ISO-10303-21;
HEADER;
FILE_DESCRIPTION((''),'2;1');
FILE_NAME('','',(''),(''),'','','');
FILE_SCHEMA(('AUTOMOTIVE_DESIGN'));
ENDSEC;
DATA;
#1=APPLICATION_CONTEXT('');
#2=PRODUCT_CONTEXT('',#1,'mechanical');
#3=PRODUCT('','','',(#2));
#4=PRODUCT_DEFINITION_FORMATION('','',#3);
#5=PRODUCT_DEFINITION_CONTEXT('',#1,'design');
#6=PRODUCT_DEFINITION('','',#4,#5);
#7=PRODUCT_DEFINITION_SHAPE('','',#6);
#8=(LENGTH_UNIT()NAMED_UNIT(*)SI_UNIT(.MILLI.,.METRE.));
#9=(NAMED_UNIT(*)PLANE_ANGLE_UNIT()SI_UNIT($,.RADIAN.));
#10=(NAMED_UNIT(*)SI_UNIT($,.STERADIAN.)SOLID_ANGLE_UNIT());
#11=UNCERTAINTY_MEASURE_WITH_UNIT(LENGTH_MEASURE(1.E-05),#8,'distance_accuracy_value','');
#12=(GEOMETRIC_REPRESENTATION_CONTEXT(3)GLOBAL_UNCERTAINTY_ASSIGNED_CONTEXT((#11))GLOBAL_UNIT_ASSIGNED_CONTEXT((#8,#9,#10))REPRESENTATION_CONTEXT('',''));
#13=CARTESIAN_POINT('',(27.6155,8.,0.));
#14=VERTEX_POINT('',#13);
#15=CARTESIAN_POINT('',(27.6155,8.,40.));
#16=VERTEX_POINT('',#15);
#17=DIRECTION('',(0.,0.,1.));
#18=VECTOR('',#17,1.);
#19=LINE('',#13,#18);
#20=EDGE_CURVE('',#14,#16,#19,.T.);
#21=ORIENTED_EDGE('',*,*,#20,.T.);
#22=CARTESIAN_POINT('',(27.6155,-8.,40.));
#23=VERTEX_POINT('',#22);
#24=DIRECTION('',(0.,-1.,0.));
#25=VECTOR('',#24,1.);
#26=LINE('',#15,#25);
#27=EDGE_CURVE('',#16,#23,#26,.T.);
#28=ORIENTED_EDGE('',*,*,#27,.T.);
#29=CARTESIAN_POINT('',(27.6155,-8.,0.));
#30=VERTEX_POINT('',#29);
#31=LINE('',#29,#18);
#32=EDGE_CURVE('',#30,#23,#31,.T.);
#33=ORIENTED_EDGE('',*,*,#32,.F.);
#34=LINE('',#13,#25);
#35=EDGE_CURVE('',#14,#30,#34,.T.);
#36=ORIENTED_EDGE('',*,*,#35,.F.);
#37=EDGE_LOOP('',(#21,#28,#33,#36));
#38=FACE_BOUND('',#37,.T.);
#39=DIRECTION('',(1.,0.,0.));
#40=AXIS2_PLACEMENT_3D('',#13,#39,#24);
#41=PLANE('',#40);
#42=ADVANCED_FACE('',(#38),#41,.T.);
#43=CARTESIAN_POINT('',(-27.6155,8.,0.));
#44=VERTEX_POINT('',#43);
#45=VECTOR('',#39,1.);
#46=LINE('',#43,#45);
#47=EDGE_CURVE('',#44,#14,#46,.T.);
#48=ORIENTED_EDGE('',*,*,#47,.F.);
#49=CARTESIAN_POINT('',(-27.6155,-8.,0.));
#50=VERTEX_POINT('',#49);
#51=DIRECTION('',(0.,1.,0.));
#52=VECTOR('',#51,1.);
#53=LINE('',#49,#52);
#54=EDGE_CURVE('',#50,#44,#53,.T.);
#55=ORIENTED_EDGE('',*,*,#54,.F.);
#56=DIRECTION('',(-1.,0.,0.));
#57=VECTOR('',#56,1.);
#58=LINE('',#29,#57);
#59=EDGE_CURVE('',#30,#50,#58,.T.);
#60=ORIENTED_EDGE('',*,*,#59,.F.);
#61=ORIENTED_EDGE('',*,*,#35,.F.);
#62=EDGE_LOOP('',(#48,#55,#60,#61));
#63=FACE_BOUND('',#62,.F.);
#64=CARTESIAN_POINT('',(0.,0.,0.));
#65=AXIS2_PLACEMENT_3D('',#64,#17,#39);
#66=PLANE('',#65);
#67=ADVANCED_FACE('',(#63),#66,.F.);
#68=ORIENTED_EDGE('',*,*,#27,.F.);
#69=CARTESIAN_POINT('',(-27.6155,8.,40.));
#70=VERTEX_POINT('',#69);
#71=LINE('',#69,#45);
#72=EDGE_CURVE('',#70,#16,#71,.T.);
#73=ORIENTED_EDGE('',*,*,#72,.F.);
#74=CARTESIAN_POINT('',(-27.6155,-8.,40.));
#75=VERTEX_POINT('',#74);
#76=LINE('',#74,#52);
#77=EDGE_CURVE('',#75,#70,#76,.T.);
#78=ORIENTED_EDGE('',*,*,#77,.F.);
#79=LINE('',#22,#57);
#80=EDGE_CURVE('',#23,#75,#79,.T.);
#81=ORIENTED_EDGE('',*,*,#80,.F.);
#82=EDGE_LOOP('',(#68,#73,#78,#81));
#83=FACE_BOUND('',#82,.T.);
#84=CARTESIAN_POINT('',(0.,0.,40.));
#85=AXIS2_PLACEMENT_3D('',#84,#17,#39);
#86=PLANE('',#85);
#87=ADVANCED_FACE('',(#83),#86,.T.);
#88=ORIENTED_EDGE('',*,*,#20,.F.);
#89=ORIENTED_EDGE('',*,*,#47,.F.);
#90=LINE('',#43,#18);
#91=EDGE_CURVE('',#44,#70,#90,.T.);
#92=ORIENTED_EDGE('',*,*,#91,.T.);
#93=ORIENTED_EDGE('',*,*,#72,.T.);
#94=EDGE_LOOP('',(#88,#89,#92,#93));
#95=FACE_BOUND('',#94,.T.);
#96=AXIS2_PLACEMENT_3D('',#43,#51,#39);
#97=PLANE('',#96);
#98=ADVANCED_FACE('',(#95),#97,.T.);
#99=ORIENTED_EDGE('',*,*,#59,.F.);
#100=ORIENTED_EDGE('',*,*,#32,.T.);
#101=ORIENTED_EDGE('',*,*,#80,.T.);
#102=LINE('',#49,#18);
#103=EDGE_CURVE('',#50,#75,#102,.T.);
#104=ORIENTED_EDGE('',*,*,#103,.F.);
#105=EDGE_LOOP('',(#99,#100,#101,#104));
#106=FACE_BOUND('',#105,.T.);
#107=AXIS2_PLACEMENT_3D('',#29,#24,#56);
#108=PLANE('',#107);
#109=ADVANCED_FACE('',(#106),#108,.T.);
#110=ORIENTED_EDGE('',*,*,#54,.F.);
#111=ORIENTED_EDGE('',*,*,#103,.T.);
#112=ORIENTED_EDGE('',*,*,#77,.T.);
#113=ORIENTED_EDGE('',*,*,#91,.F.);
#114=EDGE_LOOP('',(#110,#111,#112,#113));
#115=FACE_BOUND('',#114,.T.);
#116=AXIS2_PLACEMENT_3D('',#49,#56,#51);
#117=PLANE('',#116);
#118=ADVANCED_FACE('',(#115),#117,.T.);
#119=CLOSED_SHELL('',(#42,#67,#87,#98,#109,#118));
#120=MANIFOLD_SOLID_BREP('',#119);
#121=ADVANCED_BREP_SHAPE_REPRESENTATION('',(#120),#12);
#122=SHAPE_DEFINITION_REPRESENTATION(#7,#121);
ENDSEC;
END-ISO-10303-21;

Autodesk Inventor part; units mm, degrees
ref_plane "YZ Plane" through (0, 0, 0) normal (1, 0, 0) x (0, 1, 0)
ref_plane "XZ Plane" through (0, 0, 0) normal (0, 1, 0) x (-1, 0, 0)
ref_plane "XY Plane" through (0, 0, 0) normal (0, 0, 1) x (1, 0, 0)
sketch "Эскиз1" plane through (0, 0, 0) normal (0, 0, 1) x (1, 0, 0)
  line L0 (27.6155, -8) -> (-27.6155, -8)
  line L1 (-27.6155, -8) -> (-27.6155, 8)
  line L2 (-27.6155, 8) -> (27.6155, 8)
  line L3 (27.6155, 8) -> (27.6155, -8)
  line L4 (27.6155, -8) -> (-27.6155, 8) construction
  line L5 (-27.6155, -8) -> (27.6155, 8) construction
  point P0 (0, 0)
  dimension "d0" = 55.231
  dimension "d1" = 16
extrude "Выдавливание1" add sketch "Эскиз1" along normal blind 40
properties part number "стена2"
